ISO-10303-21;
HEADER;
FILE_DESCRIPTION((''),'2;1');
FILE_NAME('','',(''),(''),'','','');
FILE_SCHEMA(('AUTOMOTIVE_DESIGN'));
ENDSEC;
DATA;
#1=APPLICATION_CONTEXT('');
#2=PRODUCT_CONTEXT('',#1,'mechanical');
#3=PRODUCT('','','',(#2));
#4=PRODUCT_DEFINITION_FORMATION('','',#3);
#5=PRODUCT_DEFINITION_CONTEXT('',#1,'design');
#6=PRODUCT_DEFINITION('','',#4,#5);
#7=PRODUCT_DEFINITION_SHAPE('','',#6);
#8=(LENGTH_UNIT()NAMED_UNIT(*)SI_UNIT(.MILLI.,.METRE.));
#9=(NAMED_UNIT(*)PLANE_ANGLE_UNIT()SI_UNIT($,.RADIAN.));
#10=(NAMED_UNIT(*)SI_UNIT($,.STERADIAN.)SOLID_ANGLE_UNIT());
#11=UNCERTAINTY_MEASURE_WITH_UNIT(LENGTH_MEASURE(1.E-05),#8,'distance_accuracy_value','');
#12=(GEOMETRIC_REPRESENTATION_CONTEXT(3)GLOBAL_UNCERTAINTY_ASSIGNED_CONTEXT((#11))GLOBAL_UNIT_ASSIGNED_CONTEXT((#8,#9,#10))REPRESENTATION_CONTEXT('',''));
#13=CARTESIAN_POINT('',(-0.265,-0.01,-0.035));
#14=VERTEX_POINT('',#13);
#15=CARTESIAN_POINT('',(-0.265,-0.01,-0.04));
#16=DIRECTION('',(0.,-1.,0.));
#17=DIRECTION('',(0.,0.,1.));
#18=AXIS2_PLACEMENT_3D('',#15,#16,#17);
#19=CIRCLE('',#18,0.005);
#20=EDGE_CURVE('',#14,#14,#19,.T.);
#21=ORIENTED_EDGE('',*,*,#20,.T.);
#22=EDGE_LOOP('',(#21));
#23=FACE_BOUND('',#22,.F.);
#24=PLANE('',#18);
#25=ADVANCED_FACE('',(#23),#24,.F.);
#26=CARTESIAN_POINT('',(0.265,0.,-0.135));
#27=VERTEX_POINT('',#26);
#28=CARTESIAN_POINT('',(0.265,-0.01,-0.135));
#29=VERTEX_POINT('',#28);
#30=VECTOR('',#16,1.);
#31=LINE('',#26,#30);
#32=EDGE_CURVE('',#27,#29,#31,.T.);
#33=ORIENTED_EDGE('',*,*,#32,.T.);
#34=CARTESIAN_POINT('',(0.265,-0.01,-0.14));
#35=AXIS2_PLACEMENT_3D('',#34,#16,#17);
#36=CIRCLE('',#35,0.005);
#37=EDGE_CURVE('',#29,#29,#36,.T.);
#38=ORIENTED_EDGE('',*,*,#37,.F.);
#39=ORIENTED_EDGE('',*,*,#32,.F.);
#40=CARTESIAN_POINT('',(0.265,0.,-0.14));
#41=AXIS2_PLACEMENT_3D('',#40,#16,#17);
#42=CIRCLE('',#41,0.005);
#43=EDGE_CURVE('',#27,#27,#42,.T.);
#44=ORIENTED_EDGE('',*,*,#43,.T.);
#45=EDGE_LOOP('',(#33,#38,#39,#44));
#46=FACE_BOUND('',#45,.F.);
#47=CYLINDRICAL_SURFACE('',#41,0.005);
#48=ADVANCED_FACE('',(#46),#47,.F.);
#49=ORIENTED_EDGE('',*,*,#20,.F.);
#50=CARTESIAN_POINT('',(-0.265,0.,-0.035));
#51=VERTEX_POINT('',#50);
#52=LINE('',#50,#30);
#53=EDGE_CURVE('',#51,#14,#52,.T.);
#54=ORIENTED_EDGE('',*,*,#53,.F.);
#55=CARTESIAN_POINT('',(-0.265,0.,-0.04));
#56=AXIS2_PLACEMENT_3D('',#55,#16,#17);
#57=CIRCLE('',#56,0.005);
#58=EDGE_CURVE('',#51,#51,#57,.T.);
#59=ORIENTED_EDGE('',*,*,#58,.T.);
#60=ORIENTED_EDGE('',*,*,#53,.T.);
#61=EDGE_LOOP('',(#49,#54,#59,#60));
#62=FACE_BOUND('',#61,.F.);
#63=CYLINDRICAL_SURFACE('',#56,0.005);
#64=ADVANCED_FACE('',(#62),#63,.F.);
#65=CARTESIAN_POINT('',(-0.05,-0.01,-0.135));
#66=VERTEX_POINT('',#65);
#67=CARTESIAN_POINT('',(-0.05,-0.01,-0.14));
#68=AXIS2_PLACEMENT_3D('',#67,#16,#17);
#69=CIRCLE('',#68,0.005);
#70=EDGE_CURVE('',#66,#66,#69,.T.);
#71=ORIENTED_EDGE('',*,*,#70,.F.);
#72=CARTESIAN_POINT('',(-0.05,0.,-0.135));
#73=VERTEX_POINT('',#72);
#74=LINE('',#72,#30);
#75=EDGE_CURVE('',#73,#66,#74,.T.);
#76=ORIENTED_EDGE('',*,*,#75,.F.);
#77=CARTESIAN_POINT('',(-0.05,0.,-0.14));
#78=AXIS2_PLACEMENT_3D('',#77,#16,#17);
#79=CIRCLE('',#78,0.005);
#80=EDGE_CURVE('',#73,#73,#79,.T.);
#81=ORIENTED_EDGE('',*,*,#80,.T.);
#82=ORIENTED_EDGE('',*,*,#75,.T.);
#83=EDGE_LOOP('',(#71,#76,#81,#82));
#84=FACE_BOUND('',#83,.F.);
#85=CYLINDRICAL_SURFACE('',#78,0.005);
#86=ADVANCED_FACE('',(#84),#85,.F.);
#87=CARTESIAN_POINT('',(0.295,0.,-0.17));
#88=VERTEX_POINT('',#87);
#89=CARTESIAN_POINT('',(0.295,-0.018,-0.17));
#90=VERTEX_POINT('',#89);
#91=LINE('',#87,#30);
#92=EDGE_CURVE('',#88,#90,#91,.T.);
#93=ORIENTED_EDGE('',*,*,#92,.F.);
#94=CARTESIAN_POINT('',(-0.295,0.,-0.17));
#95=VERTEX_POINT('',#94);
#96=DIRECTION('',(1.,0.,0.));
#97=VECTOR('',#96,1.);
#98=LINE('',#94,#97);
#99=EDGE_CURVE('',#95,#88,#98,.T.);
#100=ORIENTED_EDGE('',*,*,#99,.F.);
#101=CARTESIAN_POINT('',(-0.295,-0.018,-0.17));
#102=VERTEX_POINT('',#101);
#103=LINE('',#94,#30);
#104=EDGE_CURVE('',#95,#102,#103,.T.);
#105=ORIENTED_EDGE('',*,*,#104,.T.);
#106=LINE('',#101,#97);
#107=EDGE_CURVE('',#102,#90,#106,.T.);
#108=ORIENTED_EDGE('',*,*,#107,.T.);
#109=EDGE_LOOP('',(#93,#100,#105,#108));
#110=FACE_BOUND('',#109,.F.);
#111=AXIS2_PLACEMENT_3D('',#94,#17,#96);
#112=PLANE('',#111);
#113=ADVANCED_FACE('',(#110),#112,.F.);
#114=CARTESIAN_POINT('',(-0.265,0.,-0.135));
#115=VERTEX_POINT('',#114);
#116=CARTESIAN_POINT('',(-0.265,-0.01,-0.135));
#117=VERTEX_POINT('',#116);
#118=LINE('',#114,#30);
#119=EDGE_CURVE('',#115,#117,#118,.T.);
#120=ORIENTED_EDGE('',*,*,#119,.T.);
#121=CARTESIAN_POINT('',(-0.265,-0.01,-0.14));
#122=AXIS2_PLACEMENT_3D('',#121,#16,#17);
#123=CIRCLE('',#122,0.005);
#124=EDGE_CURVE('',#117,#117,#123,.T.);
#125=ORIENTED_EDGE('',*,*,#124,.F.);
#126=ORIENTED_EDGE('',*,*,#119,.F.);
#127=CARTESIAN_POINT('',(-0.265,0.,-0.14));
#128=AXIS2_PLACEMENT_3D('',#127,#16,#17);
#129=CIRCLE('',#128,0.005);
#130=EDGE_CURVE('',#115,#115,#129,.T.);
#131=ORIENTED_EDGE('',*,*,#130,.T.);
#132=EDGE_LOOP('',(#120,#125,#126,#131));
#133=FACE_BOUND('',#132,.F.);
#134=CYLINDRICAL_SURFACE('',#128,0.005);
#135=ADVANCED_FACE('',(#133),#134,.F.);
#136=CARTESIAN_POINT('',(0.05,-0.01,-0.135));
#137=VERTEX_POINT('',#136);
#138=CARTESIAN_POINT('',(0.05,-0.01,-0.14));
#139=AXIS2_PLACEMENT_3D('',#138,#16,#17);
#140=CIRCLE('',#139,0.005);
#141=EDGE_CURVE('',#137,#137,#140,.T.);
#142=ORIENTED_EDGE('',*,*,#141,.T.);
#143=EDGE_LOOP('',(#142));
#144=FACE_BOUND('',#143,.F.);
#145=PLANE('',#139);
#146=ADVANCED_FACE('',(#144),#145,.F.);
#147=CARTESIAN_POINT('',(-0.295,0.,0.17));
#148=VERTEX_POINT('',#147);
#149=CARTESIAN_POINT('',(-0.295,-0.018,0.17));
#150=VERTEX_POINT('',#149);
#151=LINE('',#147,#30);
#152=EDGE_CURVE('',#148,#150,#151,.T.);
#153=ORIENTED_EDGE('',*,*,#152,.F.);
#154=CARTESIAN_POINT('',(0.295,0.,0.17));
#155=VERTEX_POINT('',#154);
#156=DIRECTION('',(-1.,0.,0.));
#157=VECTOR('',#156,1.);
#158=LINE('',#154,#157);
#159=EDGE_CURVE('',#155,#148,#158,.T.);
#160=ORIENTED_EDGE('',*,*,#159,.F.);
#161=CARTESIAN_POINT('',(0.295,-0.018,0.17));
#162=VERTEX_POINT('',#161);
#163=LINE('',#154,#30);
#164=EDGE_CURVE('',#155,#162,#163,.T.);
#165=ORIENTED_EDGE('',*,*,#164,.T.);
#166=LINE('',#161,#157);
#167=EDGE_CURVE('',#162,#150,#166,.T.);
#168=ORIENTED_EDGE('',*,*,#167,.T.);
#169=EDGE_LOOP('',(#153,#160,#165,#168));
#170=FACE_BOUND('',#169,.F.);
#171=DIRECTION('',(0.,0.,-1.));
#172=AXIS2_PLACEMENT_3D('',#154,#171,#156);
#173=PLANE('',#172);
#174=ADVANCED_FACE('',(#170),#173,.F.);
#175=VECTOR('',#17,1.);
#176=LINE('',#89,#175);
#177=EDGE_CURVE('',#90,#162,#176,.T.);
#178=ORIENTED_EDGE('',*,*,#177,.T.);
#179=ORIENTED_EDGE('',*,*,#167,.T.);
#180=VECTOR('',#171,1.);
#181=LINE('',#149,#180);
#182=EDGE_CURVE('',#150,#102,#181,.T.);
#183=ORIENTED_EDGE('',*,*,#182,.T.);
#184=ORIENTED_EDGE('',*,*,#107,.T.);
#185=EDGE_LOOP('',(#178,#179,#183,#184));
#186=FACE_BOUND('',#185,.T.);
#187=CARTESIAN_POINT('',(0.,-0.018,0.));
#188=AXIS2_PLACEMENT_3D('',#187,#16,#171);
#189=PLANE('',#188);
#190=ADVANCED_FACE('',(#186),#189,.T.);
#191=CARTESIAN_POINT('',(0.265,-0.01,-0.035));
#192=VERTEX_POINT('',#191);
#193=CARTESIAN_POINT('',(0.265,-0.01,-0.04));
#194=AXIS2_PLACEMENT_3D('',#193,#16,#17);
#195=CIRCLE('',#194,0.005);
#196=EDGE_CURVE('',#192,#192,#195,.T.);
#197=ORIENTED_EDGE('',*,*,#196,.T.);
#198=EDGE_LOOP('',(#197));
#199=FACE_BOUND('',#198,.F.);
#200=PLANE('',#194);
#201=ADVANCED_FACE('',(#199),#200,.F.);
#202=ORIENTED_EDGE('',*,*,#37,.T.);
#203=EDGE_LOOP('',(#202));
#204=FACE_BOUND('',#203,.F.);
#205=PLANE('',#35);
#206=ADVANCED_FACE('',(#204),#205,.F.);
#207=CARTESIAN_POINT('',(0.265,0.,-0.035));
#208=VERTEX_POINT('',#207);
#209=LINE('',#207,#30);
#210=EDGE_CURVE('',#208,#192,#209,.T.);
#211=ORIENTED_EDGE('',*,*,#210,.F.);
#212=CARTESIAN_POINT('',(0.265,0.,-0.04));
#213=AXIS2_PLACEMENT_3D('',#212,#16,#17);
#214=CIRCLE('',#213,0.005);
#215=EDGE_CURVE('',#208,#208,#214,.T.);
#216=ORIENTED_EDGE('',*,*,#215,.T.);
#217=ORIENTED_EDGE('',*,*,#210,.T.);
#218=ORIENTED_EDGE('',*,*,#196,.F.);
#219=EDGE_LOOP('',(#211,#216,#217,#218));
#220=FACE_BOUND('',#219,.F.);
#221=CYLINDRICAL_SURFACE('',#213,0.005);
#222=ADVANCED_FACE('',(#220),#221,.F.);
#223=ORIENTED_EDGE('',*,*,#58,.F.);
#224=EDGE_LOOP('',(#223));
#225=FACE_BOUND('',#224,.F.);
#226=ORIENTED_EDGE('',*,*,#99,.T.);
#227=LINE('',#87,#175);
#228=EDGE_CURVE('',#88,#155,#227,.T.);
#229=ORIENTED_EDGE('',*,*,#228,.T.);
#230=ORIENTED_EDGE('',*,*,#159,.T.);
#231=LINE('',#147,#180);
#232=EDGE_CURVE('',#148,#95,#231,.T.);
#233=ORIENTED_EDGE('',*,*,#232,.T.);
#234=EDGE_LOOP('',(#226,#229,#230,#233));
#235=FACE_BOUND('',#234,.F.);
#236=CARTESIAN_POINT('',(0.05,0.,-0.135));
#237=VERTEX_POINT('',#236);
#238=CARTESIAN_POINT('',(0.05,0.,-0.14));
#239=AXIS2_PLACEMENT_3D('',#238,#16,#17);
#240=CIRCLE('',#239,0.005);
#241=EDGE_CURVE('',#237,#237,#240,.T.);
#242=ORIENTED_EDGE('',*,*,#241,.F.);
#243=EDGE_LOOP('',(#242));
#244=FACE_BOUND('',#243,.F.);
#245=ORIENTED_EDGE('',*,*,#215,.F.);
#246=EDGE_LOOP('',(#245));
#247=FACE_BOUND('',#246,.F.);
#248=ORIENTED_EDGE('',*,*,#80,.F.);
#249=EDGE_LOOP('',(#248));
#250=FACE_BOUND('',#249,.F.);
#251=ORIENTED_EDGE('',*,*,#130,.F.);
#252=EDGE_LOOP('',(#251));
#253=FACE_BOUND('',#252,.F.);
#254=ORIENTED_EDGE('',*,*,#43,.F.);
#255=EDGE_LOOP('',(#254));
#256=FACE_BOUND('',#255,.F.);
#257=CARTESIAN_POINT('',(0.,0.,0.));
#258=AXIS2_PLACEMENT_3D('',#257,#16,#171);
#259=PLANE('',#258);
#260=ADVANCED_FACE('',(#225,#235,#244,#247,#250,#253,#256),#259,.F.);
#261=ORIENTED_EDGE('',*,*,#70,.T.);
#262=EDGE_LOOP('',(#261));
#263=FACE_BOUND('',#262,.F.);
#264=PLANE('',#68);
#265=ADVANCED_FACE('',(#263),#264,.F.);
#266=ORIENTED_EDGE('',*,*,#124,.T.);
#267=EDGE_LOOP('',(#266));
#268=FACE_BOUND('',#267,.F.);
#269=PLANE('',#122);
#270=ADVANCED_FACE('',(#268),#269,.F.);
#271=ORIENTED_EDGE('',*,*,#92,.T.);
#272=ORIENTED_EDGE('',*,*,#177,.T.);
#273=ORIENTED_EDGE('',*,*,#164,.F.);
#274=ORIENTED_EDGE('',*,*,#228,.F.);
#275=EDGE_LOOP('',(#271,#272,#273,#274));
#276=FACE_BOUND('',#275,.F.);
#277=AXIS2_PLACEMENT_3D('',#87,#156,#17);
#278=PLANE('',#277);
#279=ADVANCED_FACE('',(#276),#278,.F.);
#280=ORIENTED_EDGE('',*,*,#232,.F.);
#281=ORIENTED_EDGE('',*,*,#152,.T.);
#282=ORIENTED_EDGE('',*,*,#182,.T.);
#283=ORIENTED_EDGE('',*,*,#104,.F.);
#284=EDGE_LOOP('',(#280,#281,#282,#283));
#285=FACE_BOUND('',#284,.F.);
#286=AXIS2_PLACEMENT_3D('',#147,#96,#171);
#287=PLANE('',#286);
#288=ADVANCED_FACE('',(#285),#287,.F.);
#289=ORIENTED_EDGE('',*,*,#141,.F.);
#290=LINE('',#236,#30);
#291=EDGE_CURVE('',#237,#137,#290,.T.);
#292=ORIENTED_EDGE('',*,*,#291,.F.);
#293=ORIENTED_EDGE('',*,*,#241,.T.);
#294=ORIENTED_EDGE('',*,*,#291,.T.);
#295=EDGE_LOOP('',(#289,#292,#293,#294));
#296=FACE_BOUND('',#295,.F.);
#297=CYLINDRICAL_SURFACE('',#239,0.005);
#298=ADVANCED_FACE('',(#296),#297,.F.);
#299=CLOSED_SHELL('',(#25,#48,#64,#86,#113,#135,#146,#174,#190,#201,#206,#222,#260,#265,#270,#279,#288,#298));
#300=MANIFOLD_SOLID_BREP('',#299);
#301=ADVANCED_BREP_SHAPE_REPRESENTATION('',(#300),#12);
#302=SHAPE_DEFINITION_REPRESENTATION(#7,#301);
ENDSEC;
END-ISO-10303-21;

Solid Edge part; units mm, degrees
sketch "Sketch1" plane through (0, 0, 0) normal (0, -1, 0) x (1, 0, 0)
  line L0 (-0.295, -0.17) -> (0.295, -0.17)
  line L1 (0.295, -0.17) -> (0.295, 0.17)
  line L2 (0.295, 0.17) -> (-0.295, 0.17)
  line L3 (-0.295, 0.17) -> (-0.295, -0.17)
  dimension "D1" = 0.34
  dimension "D2" = 0.59
extrude "Protrusion1" add sketch "Sketch1" along normal blind 0.018
hole "Bohrung_1" at (-0.05, 0, -0.14) direction (0, -1, 0) diameter 0.01 depth 0.01
hole "Hole1" at (0.05, 0, -0.14) direction (0, -1, 0) diameter 0.01 depth 0.01
hole "Hole2" at (-0.265, 0, -0.14) direction (0, -1, 0) diameter 0.01 depth 0.01
hole "Hole3" at (-0.265, 0, -0.04) direction (0, -1, 0) diameter 0.01 depth 0.01
hole "Hole4" at (0.265, 0, -0.04) direction (0, -1, 0) diameter 0.01 depth 0.01
hole "Hole5" at (0.265, 0, -0.14) direction (0, -1, 0) diameter 0.01 depth 0.01
